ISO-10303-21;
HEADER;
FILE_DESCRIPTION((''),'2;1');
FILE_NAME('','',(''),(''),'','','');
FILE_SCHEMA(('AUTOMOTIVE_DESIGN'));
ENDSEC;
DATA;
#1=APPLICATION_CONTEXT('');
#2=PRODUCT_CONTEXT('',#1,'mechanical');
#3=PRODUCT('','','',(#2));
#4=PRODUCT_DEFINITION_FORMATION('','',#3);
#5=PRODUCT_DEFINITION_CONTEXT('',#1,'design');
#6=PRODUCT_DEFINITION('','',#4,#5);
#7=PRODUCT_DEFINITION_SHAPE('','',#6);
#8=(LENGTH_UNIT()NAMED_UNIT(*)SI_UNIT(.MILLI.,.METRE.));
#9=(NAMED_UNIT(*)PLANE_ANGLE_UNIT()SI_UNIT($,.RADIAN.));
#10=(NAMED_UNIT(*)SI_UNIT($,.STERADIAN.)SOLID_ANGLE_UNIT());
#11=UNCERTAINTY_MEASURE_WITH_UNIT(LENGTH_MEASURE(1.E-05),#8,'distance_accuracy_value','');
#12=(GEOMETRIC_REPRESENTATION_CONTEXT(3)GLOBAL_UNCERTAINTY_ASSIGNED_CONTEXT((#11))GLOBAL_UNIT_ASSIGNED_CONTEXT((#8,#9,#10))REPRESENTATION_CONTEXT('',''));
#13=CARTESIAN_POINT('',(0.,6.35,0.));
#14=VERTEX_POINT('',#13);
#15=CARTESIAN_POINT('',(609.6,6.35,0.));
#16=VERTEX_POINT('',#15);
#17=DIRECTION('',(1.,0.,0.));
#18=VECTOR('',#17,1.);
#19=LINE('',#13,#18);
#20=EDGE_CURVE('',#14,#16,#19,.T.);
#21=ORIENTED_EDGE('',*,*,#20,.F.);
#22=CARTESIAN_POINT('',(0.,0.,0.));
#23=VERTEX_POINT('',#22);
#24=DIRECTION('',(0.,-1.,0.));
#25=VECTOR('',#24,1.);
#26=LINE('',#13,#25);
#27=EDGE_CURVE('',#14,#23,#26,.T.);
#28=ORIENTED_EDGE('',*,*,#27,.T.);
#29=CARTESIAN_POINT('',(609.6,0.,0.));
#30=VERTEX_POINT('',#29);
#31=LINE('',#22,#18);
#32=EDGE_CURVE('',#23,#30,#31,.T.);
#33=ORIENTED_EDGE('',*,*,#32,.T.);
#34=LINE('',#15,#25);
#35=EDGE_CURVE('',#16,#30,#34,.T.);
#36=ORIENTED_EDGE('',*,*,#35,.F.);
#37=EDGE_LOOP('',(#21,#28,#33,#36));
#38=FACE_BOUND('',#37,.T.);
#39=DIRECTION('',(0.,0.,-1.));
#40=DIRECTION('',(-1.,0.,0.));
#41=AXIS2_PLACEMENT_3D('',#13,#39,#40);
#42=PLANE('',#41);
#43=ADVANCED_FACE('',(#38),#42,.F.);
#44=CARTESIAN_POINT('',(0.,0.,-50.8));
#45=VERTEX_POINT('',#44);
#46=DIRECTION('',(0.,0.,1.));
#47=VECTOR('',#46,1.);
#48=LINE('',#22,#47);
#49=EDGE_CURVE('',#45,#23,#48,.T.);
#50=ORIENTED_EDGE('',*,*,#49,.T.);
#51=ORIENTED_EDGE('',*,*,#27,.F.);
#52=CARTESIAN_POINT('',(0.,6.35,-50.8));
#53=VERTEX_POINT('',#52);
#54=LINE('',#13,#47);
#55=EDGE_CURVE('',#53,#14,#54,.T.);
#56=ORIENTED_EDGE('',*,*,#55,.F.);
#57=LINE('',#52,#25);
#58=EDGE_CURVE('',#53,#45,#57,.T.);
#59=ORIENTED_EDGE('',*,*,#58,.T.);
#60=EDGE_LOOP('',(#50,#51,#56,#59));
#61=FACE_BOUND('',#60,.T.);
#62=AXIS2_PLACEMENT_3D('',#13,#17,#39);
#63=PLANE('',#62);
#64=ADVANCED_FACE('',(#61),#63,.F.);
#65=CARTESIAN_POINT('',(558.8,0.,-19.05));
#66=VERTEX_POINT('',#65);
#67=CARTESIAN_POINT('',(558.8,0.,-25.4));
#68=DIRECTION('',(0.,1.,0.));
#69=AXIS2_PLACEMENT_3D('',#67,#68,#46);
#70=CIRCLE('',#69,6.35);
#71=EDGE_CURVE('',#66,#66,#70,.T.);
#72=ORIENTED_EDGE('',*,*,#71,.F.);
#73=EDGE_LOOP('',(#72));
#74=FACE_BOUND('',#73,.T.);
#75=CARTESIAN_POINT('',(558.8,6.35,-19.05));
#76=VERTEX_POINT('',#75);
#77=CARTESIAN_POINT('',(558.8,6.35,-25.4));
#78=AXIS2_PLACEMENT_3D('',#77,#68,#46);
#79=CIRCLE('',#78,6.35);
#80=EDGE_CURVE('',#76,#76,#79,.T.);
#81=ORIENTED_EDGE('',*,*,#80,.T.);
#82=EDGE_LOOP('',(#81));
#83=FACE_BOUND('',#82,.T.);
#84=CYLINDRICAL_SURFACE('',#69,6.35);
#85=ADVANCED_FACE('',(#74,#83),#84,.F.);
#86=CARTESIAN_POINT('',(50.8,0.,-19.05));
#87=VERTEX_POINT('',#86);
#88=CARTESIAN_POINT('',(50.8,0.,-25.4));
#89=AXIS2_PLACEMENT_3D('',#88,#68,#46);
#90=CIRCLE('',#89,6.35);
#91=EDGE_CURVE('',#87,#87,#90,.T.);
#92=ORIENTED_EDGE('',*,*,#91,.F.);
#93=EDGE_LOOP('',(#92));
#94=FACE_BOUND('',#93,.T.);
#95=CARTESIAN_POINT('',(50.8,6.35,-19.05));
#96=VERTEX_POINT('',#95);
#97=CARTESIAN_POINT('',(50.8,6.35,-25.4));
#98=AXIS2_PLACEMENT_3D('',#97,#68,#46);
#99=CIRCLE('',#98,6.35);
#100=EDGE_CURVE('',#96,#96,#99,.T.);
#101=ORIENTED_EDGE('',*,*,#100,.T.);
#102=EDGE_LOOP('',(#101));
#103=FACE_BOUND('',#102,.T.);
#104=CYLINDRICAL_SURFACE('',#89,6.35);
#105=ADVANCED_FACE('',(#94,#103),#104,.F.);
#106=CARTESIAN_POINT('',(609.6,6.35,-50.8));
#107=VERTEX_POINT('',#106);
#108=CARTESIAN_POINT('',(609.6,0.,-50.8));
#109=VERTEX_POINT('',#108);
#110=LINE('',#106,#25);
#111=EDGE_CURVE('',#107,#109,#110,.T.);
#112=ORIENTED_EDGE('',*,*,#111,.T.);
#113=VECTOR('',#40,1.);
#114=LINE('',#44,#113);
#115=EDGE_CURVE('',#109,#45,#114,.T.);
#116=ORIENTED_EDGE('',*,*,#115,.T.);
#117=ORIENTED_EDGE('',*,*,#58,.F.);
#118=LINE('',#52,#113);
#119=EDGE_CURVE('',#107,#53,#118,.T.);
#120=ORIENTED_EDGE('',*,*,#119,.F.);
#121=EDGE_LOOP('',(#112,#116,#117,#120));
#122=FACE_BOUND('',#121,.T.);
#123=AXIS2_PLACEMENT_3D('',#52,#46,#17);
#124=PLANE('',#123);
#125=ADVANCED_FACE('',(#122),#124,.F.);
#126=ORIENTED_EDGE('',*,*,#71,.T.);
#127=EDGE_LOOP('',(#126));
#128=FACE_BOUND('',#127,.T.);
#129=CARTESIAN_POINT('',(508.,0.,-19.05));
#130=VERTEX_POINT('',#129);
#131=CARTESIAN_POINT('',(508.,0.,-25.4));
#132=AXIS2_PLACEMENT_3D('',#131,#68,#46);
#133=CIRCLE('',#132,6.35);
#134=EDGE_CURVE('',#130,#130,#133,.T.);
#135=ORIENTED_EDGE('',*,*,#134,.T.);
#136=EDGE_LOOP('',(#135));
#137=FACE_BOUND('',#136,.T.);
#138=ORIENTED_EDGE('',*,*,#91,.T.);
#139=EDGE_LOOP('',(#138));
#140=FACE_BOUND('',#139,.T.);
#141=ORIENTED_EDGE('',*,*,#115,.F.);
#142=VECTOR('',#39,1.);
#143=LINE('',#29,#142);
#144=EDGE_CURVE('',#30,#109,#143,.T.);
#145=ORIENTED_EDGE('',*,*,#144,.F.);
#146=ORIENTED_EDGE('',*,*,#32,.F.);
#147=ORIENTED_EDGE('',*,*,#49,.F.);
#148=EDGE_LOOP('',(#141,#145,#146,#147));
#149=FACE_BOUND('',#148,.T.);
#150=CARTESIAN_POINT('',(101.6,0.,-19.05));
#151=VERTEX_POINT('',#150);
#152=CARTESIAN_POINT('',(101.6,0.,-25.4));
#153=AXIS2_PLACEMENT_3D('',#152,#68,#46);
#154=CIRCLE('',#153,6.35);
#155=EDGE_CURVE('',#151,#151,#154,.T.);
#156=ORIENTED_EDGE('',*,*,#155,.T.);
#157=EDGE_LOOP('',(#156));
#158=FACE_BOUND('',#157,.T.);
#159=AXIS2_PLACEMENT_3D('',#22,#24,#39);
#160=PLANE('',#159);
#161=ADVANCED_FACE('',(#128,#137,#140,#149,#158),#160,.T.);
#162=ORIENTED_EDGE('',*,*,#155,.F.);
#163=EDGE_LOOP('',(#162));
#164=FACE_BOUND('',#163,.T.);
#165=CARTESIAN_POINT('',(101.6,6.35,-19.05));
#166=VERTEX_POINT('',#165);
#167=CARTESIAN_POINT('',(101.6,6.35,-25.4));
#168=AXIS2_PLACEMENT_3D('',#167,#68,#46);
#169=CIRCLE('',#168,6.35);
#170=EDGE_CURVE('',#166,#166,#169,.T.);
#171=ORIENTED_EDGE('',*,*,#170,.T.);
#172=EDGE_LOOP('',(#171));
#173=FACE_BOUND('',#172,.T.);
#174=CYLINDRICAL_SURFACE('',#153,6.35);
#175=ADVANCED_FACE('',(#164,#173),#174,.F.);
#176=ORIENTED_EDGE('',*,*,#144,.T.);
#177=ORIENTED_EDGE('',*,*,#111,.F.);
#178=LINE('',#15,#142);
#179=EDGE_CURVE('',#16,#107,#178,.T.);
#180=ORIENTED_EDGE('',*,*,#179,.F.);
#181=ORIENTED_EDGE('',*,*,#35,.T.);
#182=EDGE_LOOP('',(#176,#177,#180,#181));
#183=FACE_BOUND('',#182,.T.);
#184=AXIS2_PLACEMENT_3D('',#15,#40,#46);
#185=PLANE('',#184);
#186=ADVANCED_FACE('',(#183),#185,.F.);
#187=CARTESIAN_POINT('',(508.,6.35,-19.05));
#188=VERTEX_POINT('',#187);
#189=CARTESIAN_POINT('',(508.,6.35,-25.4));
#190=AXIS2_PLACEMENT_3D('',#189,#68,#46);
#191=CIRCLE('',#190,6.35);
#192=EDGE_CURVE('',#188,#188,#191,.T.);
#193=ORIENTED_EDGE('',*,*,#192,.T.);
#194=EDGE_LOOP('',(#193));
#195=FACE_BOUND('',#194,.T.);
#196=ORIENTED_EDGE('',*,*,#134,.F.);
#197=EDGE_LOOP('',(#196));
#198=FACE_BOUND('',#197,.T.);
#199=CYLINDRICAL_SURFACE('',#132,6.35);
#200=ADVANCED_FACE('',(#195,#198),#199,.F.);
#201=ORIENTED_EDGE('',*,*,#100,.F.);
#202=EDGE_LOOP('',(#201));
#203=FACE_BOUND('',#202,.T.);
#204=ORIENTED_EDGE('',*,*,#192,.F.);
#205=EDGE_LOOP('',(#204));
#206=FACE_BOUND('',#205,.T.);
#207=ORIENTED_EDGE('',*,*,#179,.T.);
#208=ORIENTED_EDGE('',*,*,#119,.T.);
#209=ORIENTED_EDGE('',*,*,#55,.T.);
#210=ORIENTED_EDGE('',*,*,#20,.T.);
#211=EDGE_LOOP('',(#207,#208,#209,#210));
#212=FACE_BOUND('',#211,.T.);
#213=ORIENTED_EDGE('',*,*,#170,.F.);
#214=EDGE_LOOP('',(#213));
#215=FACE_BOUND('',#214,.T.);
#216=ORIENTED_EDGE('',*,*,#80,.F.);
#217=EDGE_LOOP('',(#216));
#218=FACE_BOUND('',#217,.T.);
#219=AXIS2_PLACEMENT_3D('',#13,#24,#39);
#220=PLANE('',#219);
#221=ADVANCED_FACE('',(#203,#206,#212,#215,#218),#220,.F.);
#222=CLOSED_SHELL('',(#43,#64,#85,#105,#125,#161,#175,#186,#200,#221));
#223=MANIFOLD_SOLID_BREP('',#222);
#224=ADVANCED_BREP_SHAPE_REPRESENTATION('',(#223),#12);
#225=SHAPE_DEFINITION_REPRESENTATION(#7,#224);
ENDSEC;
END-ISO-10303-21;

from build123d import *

# Parameters (mm, degrees)
SKETCH1_W           = 609.6
SKETCH1_H           = 50.8
BOSS_EXTRUDE1_DEPTH = 6.35
SKETCH2_R           = 6.35
CUT_EXTRUDE1_DEPTH  = 7.35


with BuildPart() as part:
    # Sketch1 → Boss-Extrude1 (new body)
    with BuildSketch(Plane(origin=(0, 0, 0), x_dir=(1, 0, 0), z_dir=(0, 1, 0))):
        with Locations((304.8, 25.4)):
            Rectangle(SKETCH1_W, SKETCH1_H)
    extrude(amount=BOSS_EXTRUDE1_DEPTH)

    # Sketch2 → Cut-Extrude1 (cut, through all)
    with BuildSketch(Plane(origin=(0, 6.35, 0), x_dir=(1, 0, 0), z_dir=(0, 1, 0))):
        with Locations((558.8, 25.4)):
            Circle(SKETCH2_R)
        with Locations((50.8, 25.4)):
            Circle(SKETCH2_R)
        with Locations((101.6, 25.4)):
            Circle(SKETCH2_R)
        with Locations((508, 25.4)):
            Circle(SKETCH2_R)
    extrude(amount=-CUT_EXTRUDE1_DEPTH, mode=Mode.SUBTRACT)


solid = part.part
